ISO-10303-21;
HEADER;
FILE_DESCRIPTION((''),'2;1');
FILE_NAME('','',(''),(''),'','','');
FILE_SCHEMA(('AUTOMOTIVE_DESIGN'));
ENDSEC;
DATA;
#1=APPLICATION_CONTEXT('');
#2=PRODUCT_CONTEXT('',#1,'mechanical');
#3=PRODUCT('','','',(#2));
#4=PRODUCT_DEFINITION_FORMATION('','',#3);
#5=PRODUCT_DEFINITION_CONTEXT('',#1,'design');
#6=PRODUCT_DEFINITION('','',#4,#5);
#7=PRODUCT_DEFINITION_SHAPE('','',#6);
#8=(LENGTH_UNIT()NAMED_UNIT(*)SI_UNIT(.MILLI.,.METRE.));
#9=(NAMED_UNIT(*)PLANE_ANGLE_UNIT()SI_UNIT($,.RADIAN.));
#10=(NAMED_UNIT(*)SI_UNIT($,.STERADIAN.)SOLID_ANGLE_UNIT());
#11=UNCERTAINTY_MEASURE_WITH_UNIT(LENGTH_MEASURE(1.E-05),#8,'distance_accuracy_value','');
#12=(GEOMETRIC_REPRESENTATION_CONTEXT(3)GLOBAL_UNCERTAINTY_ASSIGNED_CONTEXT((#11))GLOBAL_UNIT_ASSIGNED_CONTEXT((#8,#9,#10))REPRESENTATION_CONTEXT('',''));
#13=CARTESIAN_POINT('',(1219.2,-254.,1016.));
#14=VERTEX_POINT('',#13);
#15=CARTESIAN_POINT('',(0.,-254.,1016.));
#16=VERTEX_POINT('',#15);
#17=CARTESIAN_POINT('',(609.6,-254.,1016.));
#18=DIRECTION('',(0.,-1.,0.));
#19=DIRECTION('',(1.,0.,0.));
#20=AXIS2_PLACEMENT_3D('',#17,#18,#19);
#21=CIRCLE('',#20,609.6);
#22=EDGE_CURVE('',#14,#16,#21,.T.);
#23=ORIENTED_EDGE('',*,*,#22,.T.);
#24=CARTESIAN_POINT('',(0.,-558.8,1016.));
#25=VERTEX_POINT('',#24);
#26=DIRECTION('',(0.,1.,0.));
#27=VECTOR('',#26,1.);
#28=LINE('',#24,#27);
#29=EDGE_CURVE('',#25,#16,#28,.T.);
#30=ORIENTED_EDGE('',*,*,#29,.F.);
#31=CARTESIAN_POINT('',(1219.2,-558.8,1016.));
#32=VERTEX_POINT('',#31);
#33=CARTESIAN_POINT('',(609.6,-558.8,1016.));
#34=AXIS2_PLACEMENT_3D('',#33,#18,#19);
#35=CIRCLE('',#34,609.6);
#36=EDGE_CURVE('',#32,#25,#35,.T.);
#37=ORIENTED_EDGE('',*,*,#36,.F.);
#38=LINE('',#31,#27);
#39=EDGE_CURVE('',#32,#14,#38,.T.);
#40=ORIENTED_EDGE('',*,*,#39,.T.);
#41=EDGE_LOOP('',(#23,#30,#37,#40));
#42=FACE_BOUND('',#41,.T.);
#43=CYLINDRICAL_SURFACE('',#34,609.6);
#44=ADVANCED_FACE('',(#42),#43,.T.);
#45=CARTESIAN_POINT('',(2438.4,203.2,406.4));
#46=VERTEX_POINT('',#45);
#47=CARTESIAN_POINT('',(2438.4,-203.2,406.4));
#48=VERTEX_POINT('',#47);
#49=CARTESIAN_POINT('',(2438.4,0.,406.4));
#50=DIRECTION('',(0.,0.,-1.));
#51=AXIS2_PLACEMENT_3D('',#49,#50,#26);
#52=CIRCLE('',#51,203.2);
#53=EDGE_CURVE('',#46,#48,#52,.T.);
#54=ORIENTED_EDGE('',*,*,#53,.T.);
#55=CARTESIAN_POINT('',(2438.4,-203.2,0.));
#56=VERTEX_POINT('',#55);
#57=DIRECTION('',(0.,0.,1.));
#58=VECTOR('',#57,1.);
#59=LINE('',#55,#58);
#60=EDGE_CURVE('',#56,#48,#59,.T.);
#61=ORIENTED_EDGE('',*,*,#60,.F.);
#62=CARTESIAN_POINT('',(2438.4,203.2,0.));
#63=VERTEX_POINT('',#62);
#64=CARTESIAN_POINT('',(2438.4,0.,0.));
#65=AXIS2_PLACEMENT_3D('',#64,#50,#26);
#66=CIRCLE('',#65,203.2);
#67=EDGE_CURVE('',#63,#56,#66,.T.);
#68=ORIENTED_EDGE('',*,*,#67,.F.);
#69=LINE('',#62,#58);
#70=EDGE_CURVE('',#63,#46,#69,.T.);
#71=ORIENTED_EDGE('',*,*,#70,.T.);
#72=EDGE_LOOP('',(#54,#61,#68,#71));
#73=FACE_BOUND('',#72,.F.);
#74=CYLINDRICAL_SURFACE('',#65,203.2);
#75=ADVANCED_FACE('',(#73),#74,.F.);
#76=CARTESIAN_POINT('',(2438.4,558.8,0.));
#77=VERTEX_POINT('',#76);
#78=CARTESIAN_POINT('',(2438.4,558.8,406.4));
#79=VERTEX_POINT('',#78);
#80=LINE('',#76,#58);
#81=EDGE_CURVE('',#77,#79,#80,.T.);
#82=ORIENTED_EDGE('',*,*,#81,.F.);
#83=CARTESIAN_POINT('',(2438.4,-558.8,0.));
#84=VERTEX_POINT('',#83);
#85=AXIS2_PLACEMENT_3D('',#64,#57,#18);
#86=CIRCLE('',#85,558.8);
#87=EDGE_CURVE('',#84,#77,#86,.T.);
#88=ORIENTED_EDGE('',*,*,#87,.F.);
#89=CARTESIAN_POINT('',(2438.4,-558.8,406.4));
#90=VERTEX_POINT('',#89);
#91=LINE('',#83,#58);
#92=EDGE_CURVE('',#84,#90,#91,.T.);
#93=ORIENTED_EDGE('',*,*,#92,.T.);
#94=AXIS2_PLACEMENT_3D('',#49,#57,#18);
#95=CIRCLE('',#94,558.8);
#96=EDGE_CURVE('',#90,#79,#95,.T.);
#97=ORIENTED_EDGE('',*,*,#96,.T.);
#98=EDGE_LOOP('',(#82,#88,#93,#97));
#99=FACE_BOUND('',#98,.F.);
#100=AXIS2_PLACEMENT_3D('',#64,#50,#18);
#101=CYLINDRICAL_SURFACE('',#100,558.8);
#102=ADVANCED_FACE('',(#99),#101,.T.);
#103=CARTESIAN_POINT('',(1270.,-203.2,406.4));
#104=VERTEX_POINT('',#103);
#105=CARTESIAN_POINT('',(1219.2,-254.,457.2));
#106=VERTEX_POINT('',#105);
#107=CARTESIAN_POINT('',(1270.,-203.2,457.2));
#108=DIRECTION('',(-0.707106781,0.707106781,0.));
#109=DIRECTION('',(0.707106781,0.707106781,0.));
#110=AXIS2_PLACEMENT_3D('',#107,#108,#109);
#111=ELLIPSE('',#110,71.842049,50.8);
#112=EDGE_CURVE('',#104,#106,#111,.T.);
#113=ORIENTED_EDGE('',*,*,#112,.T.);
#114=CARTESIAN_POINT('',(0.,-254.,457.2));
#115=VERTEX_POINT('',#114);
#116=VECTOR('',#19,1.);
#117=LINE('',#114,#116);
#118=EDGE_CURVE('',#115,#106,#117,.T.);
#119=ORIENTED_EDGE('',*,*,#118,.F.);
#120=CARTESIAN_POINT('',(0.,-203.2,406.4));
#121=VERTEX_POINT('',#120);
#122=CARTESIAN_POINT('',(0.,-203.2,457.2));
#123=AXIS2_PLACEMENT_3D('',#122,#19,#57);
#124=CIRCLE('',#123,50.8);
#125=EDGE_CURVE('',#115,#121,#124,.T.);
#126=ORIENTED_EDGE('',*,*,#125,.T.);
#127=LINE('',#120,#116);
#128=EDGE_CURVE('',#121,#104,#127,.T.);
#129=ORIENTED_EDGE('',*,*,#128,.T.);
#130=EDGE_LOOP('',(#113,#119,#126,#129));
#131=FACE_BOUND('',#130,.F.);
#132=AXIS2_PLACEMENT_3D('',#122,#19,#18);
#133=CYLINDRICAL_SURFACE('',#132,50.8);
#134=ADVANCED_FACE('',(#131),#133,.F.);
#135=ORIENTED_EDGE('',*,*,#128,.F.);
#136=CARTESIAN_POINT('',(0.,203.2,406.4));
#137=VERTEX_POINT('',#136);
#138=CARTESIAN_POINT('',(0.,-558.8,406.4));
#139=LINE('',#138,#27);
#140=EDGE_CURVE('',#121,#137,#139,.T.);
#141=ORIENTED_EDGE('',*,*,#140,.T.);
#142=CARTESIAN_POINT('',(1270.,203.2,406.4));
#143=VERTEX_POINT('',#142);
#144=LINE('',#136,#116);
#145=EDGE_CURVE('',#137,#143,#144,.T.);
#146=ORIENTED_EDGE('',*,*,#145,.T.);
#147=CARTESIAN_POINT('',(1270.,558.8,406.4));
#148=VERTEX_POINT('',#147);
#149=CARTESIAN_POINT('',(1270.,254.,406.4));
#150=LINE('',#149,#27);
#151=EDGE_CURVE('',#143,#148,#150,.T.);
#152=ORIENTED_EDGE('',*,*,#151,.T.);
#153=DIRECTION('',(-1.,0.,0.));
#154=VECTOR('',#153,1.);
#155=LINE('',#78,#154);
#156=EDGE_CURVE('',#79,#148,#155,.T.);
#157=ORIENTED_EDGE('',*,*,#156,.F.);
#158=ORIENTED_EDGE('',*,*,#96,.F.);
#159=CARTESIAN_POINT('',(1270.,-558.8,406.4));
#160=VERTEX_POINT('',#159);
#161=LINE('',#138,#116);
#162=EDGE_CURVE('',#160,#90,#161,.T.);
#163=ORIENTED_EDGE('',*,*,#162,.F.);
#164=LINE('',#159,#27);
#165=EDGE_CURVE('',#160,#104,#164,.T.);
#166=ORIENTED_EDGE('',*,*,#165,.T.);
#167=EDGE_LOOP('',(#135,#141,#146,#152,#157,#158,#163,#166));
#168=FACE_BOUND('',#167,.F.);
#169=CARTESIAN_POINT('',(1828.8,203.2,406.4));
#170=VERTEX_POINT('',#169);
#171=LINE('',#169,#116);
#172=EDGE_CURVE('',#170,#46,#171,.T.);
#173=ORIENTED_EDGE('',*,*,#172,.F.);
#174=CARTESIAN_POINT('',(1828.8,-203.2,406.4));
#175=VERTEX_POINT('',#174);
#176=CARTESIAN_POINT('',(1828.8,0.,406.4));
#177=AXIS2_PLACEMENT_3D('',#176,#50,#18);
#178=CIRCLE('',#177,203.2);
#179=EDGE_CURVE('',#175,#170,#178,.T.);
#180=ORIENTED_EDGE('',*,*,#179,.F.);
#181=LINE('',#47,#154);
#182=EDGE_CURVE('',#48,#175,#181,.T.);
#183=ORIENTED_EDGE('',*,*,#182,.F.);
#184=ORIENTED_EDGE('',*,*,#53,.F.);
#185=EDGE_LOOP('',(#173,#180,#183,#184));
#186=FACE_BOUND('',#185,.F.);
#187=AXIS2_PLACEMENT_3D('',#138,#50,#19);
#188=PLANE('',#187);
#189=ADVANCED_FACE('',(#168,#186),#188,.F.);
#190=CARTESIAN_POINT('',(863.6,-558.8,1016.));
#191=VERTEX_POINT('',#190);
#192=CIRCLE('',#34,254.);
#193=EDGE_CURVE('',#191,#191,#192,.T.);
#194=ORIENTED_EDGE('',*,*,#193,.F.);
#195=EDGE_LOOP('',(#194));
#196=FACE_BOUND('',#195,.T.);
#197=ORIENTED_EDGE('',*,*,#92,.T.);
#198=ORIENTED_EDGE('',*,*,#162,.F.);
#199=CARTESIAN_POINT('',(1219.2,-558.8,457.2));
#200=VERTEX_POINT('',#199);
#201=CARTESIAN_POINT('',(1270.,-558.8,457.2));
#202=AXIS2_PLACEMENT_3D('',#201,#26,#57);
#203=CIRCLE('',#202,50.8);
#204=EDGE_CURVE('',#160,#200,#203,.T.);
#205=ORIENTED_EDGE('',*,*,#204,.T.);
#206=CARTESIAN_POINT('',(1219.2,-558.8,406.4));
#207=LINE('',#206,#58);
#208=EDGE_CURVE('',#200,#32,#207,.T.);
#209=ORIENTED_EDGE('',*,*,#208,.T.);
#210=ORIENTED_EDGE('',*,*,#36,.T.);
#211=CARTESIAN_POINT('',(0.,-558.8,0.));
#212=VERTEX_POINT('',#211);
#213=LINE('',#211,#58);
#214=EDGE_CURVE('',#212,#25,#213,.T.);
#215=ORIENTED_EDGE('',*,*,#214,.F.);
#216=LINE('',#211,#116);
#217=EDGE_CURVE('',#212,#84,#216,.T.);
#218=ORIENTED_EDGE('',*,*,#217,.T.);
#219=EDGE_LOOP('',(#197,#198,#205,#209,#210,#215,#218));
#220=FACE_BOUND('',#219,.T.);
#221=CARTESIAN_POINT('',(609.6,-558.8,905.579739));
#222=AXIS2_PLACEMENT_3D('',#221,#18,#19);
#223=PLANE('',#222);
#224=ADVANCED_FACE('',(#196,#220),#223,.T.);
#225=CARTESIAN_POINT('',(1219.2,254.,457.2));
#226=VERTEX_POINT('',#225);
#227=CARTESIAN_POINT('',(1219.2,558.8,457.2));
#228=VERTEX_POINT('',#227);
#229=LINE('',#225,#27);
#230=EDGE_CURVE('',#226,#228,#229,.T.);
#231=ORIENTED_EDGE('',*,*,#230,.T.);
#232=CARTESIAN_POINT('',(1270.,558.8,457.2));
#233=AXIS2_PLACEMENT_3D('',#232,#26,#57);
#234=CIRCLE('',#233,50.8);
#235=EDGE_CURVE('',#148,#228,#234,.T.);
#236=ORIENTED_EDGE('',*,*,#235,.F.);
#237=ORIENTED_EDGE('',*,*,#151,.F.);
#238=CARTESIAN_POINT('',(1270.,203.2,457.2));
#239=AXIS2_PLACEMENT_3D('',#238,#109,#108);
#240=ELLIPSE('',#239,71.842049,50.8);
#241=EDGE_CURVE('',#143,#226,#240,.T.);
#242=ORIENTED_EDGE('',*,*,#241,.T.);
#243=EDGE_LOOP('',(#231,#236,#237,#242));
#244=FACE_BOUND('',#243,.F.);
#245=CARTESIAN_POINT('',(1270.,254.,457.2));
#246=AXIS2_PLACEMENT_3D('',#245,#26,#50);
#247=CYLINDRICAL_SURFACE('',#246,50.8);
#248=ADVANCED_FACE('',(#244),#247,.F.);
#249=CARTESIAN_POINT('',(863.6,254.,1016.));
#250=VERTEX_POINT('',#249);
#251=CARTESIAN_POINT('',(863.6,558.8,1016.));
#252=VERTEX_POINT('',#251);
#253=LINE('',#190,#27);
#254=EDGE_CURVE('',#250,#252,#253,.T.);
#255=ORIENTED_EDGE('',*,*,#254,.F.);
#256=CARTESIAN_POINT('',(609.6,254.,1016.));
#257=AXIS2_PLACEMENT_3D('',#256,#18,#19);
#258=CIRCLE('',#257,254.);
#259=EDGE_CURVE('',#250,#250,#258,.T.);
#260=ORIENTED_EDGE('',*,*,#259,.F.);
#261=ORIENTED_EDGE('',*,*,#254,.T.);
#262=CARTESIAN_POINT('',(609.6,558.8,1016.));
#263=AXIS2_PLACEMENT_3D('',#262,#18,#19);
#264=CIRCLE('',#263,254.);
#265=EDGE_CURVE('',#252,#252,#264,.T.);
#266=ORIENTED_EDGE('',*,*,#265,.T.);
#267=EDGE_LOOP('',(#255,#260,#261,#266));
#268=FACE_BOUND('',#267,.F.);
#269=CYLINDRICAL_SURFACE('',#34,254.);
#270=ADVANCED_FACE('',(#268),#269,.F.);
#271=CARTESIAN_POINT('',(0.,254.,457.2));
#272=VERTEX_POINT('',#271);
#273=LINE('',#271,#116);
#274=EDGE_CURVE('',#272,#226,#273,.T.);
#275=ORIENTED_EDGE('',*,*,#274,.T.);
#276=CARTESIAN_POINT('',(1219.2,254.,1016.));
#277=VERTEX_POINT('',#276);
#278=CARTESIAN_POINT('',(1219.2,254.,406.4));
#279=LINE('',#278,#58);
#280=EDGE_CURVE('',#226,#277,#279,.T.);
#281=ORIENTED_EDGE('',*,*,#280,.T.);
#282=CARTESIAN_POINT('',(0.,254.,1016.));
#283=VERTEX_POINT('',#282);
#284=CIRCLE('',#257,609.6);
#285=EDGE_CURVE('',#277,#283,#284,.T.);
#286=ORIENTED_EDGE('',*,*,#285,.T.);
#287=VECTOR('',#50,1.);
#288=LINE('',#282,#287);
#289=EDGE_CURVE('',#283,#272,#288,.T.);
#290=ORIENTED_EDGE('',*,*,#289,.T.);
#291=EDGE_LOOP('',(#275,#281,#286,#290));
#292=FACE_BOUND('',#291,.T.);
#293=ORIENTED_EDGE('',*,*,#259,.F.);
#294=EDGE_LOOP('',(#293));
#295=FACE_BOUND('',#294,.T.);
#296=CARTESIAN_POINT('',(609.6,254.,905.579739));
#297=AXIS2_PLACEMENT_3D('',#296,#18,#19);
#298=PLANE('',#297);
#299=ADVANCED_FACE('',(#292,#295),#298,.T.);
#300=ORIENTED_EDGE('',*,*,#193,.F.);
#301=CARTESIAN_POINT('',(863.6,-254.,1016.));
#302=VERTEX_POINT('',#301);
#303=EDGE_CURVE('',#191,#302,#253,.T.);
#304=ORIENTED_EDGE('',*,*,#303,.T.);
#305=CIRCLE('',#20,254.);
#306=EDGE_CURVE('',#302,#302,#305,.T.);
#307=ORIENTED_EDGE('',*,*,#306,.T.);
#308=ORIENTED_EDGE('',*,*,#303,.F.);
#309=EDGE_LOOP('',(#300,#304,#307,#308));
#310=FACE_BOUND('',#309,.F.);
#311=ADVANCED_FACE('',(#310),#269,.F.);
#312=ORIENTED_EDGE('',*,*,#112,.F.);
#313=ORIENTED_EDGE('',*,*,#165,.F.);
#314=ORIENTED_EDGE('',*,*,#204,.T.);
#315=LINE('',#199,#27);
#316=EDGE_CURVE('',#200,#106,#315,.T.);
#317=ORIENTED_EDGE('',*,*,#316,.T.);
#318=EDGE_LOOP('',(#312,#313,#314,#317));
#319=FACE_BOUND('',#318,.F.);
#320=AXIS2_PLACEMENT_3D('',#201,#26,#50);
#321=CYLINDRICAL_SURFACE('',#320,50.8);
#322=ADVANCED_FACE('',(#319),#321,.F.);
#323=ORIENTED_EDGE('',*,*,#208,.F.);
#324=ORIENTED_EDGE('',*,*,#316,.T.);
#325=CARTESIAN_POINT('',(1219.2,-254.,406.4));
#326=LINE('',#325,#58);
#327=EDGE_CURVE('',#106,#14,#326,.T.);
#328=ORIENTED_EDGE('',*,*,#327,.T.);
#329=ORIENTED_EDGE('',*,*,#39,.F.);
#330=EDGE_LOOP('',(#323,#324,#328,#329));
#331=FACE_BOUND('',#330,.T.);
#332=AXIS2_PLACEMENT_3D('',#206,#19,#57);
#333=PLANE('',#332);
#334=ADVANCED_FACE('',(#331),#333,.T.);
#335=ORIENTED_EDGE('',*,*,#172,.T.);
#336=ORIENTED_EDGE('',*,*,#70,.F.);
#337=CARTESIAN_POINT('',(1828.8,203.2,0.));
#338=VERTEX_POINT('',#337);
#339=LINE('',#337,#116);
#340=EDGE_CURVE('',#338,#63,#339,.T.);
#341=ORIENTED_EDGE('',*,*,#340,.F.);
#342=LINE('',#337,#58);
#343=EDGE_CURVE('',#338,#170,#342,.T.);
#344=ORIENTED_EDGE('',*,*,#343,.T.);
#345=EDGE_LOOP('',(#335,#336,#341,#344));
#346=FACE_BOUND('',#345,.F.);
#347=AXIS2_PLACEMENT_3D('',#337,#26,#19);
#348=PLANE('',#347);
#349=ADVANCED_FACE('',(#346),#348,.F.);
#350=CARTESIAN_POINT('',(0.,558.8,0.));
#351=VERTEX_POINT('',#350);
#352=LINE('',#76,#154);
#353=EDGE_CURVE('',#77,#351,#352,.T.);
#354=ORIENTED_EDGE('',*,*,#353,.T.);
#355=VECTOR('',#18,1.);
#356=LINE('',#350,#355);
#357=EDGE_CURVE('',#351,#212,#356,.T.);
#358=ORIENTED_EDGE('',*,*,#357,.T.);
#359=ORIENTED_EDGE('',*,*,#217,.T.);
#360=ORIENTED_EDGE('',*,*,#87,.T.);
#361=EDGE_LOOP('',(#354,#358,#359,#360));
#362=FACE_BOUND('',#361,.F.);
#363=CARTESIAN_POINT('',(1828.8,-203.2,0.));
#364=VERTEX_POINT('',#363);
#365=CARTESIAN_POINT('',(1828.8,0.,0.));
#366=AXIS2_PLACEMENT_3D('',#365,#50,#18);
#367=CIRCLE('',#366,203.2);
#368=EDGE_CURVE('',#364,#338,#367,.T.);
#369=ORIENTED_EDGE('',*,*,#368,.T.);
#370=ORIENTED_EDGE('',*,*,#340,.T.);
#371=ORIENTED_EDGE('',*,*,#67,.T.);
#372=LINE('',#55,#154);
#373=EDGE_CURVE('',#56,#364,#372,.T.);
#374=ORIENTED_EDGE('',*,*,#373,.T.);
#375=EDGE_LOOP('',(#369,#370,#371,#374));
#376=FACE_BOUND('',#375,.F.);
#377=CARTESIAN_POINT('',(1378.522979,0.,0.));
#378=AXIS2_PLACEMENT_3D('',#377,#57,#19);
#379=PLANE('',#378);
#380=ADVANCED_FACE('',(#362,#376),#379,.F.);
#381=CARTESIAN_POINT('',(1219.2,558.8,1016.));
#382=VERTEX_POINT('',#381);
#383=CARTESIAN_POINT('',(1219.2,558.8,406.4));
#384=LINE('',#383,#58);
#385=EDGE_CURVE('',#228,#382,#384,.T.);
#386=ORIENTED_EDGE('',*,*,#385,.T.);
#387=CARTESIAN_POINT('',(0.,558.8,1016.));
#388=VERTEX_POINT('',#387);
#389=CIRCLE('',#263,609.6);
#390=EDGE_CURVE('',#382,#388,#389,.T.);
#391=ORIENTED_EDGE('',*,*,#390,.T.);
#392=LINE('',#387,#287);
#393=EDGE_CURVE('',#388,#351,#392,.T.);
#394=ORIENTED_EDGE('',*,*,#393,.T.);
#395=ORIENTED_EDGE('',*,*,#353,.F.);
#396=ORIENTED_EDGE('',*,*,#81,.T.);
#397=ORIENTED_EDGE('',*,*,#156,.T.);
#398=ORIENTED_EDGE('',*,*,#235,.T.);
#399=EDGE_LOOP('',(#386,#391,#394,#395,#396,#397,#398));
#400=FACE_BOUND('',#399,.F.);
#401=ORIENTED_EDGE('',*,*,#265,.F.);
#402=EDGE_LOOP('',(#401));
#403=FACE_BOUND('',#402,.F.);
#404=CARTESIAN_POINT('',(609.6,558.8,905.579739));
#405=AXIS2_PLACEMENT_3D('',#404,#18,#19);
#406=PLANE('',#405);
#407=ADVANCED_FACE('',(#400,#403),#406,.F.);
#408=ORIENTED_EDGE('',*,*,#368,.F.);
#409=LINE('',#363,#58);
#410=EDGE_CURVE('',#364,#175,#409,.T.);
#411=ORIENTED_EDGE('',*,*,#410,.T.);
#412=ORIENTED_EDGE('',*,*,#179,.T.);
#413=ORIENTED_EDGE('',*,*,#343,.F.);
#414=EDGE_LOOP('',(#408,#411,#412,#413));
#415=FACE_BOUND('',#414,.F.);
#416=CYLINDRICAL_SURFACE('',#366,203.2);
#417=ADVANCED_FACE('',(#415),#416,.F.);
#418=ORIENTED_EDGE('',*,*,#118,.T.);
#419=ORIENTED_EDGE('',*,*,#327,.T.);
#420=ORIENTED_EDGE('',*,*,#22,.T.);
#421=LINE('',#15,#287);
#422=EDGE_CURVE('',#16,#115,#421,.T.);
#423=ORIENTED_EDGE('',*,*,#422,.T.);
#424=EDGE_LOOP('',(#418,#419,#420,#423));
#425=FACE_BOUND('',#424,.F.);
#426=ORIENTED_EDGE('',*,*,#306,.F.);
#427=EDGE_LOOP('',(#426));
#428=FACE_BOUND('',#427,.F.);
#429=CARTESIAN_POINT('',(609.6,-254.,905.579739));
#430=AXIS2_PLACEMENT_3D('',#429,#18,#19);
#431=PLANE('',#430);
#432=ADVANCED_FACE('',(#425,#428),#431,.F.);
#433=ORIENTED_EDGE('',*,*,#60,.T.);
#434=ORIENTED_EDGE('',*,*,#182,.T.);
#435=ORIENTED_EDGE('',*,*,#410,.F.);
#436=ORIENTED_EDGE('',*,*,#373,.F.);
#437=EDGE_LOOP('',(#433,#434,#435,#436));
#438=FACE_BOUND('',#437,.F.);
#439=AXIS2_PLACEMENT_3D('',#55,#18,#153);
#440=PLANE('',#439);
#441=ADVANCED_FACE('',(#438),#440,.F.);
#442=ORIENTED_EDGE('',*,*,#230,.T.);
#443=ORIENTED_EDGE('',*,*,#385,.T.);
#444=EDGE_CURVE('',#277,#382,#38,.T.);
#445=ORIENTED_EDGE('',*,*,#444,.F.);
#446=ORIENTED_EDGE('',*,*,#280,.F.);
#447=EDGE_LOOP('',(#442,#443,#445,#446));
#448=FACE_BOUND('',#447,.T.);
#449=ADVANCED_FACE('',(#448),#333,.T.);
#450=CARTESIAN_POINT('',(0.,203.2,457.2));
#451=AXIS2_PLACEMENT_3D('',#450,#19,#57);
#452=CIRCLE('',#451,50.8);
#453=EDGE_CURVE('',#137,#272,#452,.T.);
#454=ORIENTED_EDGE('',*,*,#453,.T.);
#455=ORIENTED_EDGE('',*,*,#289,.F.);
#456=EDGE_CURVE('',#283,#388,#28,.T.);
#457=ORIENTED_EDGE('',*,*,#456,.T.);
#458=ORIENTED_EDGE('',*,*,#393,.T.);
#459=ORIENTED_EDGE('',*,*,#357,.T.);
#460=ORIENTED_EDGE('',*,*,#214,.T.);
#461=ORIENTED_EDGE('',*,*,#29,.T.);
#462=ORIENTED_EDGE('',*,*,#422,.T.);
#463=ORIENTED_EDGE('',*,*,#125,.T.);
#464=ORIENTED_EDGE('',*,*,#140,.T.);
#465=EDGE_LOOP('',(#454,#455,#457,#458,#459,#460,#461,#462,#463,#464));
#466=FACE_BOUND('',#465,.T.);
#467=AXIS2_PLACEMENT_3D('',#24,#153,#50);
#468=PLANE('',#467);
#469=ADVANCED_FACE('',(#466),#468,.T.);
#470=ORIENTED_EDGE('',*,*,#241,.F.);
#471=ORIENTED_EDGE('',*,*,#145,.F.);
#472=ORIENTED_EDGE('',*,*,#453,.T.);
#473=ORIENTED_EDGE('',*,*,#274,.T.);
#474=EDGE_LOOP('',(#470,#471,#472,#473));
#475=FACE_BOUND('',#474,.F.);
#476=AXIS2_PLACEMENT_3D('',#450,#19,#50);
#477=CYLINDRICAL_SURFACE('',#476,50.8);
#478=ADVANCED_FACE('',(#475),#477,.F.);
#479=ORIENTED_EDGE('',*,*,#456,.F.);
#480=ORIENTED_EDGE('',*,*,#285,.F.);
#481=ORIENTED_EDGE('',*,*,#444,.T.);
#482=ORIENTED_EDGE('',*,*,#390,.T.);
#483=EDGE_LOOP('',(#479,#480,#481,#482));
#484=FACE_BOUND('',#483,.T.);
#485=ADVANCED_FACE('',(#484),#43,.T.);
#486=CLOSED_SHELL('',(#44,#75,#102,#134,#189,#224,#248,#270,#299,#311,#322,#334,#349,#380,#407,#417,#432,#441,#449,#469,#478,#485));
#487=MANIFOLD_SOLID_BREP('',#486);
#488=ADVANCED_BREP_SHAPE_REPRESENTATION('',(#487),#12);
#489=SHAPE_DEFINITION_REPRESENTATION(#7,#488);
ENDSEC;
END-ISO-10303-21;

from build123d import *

# Parameters (mm, degrees)
F1_DEPTH = 406.4
F2_R     = 254
F3_DEPTH = 1117.6
F4_DEPTH = 812.8
F5_DEPTH = 304.8
F6_R     = 50.8


with BuildPart() as f1:
    # F0 (on Top) → F1 (new body)
    with BuildSketch(Plane.XY):
        with BuildLine():
            Line((0, 558.8), (0, -558.8))
            Line((0, -558.8), (2438.4, -558.8))
            ThreePointArc((2438.4, -558.8), (2997.2, 0), (2438.4, 558.8))
            Line((2438.4, 558.8), (0, 558.8))
        make_face()
        with BuildLine():
            Line((1828.8, 203.2), (2438.4, 203.2))
            ThreePointArc((2438.4, 203.2), (2641.6, 0), (2438.4, -203.2))
            Line((2438.4, -203.2), (1828.8, -203.2))
            ThreePointArc((1828.8, -203.2), (1625.6, 0), (1828.8, 203.2))
        make_face(mode=Mode.SUBTRACT)
    extrude(amount=F1_DEPTH)

    # F2 (on face) → F3 (join)
    with BuildSketch(Plane.XZ.offset(558.8)):
        with BuildLine():
            ThreePointArc((1219.2, 1016), (609.6, 1625.6), (0, 1016))
            Line((0, 1016), (0, 406.4))
            Line((0, 406.4), (1219.2, 406.4))
            Line((1219.2, 406.4), (1219.2, 1016))
        make_face()
        with Locations((609.6, 1016)):
            Circle(F2_R, mode=Mode.SUBTRACT)
    extrude(amount=-F3_DEPTH)

    # F2 (on face) → F4 (cut)
    with BuildSketch(Plane.XZ.offset(558.8)):
        with BuildLine():
            ThreePointArc((1219.2, 1016), (609.6, 1625.6), (0, 1016))
            Line((0, 1016), (0, 406.4))
            Line((0, 406.4), (1219.2, 406.4))
            Line((1219.2, 406.4), (1219.2, 1016))
        make_face()
        with Locations((609.6, 1016)):
            Circle(F2_R, mode=Mode.SUBTRACT)
    extrude(amount=-F4_DEPTH, mode=Mode.SUBTRACT)

    # F2 (on face) → F5 (join)
    with BuildSketch(Plane.XZ.offset(558.8)):
        with BuildLine():
            ThreePointArc((1219.2, 1016), (609.6, 1625.6), (0, 1016))
            Line((0, 1016), (0, 406.4))
            Line((0, 406.4), (1219.2, 406.4))
            Line((1219.2, 406.4), (1219.2, 1016))
        make_face()
        with Locations((609.6, 1016)):
            Circle(F2_R, mode=Mode.SUBTRACT)
    extrude(amount=-F5_DEPTH)

    # F6
    f6_edges = [f1.edges().sort_by_distance(p)[0] for p in [
        (1219.2, -406.4, 406.4),
        (1219.2, 406.4, 406.4),
        (609.6, -254, 406.4),
        (609.6, 254, 406.4),
    ]]
    fillet(f6_edges, radius=F6_R)


solid = f1.part
